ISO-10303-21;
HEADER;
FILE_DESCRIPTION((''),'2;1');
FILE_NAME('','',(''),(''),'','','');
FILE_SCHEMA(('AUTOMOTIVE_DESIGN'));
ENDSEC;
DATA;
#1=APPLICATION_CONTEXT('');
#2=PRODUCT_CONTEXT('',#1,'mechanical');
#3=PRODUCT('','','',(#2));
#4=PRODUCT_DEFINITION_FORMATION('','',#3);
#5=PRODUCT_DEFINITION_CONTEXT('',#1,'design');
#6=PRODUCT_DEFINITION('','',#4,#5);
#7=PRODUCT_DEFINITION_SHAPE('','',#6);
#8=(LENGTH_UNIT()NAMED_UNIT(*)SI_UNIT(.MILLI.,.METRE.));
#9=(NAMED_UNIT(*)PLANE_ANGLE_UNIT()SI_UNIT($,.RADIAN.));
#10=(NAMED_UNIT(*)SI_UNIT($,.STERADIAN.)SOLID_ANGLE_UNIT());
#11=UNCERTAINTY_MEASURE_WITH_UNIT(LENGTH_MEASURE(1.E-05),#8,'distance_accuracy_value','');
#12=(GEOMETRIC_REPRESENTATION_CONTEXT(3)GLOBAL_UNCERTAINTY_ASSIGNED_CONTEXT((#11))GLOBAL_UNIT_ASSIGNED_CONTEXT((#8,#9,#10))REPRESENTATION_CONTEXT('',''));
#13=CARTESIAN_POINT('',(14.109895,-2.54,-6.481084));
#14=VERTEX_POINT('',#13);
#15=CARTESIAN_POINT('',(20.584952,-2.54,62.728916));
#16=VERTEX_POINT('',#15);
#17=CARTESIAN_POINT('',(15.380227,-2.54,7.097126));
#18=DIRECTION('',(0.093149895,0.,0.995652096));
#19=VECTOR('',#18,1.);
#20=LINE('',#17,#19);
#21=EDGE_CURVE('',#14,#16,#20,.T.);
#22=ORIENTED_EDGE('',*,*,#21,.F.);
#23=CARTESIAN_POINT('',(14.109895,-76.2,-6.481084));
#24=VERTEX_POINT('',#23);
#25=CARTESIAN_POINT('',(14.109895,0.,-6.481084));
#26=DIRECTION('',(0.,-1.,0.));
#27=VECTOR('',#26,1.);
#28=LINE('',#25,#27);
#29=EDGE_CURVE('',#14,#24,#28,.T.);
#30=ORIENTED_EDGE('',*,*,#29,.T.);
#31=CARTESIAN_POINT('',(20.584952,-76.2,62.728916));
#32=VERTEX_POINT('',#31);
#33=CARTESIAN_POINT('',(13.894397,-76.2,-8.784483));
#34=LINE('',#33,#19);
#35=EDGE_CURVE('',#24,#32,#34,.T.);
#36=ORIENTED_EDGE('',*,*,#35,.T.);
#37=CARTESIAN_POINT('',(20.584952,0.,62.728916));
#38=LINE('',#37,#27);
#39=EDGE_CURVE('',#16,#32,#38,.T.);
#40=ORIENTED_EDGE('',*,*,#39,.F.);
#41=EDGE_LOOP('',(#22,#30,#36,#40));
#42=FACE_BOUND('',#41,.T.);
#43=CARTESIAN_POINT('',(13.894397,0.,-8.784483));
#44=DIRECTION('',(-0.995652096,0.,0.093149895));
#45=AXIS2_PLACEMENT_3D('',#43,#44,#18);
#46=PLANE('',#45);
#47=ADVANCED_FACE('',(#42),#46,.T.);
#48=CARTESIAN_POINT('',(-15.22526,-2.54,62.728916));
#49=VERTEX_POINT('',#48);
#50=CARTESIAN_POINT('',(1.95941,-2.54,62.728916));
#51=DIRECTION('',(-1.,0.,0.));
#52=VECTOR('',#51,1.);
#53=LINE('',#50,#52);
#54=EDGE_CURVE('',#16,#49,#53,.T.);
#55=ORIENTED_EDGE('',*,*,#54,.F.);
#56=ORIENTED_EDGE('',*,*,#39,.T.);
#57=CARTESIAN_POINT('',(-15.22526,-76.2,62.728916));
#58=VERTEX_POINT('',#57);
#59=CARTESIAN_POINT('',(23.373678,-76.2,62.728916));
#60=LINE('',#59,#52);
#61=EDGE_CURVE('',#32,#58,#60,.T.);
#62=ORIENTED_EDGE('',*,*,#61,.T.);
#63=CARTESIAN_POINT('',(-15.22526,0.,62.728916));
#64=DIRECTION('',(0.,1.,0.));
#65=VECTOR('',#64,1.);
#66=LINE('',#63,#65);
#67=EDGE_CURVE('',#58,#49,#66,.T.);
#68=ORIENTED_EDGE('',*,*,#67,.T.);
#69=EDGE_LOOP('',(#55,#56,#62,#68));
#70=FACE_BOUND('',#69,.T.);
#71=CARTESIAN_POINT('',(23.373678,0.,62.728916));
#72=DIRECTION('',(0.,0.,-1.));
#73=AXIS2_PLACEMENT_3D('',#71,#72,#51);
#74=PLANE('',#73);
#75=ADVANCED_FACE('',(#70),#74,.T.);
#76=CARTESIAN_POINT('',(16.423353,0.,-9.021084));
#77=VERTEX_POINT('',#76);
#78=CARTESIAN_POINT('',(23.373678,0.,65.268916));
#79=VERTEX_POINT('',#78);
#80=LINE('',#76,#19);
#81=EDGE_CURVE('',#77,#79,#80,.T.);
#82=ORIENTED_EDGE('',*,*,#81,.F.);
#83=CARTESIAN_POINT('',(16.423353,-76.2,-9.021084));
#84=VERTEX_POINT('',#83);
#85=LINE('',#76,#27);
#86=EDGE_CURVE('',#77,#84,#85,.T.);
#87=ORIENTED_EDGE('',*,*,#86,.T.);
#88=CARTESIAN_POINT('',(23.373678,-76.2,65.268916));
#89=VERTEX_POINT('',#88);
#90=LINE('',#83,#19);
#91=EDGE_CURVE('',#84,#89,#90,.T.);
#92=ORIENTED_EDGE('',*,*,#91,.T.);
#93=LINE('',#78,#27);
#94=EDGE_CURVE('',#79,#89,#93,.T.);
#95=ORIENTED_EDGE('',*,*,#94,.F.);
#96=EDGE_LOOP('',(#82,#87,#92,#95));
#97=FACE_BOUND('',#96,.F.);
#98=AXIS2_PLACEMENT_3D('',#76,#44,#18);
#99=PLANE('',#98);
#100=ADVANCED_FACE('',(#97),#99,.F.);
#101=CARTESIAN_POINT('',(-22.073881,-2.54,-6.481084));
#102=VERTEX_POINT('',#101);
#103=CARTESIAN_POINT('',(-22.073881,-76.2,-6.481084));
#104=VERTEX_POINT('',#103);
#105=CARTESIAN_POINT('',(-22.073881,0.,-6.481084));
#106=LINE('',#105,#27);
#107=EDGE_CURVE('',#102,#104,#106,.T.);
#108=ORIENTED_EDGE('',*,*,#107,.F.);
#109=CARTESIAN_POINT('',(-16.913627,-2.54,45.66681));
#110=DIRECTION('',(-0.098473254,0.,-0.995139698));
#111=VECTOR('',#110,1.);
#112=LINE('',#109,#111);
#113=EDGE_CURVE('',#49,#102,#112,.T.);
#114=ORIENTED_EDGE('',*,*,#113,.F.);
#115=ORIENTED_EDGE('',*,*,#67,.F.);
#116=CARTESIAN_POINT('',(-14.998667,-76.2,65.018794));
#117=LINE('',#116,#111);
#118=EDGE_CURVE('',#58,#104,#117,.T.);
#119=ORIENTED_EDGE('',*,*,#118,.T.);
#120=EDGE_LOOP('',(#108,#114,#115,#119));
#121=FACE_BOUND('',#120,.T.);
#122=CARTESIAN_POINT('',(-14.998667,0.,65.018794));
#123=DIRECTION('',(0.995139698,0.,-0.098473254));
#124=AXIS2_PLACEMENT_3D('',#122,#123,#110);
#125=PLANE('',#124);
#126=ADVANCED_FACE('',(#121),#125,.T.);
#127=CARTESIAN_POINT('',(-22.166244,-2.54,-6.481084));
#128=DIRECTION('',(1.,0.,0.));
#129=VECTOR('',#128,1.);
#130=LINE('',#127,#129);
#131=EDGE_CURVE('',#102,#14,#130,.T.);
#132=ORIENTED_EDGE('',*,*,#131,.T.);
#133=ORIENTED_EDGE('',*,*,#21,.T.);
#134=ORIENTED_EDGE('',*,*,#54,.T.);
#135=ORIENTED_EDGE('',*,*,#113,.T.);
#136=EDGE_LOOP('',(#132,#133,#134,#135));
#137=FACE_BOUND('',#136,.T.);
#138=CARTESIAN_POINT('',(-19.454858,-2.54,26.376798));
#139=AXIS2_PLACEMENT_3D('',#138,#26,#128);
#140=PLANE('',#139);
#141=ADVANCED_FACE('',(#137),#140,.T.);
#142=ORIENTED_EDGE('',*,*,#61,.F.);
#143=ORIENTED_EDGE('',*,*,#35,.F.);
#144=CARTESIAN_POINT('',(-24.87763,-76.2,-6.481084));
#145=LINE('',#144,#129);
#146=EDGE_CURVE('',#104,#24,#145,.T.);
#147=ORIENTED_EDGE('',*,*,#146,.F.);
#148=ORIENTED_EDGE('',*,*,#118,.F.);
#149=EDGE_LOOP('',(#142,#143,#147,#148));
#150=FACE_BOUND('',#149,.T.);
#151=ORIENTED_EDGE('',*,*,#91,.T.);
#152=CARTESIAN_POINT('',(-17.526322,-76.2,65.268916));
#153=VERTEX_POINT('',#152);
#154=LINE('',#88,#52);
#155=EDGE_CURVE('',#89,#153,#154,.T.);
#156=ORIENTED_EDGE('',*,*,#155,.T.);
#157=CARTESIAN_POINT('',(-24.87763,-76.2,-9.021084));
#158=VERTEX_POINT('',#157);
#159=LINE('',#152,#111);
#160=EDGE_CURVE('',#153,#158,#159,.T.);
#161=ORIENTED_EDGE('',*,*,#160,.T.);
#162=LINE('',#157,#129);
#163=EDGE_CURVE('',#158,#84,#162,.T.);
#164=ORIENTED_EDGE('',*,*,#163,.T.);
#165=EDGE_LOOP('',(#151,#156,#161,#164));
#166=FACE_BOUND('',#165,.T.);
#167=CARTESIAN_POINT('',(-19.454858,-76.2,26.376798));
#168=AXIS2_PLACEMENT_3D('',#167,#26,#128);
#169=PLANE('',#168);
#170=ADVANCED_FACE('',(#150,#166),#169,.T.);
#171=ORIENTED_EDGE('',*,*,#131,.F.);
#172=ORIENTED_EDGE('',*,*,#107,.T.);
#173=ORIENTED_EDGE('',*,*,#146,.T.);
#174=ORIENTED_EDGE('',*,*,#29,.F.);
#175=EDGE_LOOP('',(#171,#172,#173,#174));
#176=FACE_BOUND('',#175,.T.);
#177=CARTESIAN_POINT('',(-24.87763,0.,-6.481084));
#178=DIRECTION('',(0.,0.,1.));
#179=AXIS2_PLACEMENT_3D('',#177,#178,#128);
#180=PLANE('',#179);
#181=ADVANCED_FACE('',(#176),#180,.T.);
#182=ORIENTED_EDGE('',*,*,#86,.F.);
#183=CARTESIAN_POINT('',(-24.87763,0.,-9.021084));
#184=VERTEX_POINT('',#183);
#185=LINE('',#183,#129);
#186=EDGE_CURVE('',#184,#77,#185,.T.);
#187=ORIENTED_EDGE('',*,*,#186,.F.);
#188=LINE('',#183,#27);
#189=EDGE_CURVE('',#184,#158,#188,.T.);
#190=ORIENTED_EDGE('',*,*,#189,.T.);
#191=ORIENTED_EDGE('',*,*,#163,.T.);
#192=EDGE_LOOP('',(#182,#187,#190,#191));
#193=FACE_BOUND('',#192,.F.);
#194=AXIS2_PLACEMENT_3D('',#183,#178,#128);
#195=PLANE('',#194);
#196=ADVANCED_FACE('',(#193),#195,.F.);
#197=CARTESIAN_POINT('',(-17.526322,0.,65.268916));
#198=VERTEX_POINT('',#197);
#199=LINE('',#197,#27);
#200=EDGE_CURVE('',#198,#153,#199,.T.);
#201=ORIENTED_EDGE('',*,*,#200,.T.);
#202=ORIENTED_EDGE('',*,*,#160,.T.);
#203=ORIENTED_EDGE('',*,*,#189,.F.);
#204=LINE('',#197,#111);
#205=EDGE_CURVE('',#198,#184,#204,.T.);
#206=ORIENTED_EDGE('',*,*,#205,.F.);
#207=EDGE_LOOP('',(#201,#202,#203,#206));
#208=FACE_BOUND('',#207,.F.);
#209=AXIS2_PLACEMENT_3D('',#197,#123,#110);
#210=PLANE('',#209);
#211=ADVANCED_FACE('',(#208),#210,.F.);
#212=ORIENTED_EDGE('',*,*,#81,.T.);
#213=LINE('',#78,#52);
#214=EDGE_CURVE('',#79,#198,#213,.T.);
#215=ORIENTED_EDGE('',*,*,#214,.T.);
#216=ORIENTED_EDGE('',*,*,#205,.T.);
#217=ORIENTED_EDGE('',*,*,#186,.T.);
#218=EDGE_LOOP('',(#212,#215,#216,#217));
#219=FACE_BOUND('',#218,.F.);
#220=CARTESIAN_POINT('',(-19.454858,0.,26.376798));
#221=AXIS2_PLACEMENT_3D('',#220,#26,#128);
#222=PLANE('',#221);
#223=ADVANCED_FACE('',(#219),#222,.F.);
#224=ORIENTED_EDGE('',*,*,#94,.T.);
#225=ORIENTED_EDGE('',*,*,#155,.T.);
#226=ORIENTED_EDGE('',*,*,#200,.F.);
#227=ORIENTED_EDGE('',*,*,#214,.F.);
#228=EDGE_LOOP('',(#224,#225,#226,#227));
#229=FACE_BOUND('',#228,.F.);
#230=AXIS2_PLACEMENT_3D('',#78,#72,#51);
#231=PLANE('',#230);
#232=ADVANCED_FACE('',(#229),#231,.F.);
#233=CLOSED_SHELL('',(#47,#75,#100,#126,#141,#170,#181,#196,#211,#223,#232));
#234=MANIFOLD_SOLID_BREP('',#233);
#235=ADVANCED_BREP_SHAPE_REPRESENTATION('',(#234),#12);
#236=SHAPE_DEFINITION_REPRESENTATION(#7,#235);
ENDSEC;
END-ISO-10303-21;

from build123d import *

# Parameters (mm, degrees)
F0_W     = 33.9496749554
F0_H     = 74.29
F1_DEPTH = 76.2
F2_T     = -2.54


with BuildPart() as f1:
    # F0 (on Front) → F1 (new body)
    with BuildSketch(Plane.XZ):
        Polygon((-17.5263221099, -9.0210835837), (-17.5263221099, 65.2689164163), (-24.8776297376, -9.0210835837), align=None)
        with Locations((-0.5514846322, 28.1239164163)):
            Rectangle(F0_W, F0_H)
        Polygon((23.3736778901, 65.2689164163), (16.4233528455, 65.2689164163), (16.4233528455, -9.0210835837), align=None)
    extrude(amount=F1_DEPTH)

    # F2
    f2_openings = [f1.faces().sort_by_distance(p)[0] for p in [
        (-0.657544, -76.2, 28.063518),
    ]]
    offset(amount=F2_T, openings=f2_openings)


solid = f1.part
